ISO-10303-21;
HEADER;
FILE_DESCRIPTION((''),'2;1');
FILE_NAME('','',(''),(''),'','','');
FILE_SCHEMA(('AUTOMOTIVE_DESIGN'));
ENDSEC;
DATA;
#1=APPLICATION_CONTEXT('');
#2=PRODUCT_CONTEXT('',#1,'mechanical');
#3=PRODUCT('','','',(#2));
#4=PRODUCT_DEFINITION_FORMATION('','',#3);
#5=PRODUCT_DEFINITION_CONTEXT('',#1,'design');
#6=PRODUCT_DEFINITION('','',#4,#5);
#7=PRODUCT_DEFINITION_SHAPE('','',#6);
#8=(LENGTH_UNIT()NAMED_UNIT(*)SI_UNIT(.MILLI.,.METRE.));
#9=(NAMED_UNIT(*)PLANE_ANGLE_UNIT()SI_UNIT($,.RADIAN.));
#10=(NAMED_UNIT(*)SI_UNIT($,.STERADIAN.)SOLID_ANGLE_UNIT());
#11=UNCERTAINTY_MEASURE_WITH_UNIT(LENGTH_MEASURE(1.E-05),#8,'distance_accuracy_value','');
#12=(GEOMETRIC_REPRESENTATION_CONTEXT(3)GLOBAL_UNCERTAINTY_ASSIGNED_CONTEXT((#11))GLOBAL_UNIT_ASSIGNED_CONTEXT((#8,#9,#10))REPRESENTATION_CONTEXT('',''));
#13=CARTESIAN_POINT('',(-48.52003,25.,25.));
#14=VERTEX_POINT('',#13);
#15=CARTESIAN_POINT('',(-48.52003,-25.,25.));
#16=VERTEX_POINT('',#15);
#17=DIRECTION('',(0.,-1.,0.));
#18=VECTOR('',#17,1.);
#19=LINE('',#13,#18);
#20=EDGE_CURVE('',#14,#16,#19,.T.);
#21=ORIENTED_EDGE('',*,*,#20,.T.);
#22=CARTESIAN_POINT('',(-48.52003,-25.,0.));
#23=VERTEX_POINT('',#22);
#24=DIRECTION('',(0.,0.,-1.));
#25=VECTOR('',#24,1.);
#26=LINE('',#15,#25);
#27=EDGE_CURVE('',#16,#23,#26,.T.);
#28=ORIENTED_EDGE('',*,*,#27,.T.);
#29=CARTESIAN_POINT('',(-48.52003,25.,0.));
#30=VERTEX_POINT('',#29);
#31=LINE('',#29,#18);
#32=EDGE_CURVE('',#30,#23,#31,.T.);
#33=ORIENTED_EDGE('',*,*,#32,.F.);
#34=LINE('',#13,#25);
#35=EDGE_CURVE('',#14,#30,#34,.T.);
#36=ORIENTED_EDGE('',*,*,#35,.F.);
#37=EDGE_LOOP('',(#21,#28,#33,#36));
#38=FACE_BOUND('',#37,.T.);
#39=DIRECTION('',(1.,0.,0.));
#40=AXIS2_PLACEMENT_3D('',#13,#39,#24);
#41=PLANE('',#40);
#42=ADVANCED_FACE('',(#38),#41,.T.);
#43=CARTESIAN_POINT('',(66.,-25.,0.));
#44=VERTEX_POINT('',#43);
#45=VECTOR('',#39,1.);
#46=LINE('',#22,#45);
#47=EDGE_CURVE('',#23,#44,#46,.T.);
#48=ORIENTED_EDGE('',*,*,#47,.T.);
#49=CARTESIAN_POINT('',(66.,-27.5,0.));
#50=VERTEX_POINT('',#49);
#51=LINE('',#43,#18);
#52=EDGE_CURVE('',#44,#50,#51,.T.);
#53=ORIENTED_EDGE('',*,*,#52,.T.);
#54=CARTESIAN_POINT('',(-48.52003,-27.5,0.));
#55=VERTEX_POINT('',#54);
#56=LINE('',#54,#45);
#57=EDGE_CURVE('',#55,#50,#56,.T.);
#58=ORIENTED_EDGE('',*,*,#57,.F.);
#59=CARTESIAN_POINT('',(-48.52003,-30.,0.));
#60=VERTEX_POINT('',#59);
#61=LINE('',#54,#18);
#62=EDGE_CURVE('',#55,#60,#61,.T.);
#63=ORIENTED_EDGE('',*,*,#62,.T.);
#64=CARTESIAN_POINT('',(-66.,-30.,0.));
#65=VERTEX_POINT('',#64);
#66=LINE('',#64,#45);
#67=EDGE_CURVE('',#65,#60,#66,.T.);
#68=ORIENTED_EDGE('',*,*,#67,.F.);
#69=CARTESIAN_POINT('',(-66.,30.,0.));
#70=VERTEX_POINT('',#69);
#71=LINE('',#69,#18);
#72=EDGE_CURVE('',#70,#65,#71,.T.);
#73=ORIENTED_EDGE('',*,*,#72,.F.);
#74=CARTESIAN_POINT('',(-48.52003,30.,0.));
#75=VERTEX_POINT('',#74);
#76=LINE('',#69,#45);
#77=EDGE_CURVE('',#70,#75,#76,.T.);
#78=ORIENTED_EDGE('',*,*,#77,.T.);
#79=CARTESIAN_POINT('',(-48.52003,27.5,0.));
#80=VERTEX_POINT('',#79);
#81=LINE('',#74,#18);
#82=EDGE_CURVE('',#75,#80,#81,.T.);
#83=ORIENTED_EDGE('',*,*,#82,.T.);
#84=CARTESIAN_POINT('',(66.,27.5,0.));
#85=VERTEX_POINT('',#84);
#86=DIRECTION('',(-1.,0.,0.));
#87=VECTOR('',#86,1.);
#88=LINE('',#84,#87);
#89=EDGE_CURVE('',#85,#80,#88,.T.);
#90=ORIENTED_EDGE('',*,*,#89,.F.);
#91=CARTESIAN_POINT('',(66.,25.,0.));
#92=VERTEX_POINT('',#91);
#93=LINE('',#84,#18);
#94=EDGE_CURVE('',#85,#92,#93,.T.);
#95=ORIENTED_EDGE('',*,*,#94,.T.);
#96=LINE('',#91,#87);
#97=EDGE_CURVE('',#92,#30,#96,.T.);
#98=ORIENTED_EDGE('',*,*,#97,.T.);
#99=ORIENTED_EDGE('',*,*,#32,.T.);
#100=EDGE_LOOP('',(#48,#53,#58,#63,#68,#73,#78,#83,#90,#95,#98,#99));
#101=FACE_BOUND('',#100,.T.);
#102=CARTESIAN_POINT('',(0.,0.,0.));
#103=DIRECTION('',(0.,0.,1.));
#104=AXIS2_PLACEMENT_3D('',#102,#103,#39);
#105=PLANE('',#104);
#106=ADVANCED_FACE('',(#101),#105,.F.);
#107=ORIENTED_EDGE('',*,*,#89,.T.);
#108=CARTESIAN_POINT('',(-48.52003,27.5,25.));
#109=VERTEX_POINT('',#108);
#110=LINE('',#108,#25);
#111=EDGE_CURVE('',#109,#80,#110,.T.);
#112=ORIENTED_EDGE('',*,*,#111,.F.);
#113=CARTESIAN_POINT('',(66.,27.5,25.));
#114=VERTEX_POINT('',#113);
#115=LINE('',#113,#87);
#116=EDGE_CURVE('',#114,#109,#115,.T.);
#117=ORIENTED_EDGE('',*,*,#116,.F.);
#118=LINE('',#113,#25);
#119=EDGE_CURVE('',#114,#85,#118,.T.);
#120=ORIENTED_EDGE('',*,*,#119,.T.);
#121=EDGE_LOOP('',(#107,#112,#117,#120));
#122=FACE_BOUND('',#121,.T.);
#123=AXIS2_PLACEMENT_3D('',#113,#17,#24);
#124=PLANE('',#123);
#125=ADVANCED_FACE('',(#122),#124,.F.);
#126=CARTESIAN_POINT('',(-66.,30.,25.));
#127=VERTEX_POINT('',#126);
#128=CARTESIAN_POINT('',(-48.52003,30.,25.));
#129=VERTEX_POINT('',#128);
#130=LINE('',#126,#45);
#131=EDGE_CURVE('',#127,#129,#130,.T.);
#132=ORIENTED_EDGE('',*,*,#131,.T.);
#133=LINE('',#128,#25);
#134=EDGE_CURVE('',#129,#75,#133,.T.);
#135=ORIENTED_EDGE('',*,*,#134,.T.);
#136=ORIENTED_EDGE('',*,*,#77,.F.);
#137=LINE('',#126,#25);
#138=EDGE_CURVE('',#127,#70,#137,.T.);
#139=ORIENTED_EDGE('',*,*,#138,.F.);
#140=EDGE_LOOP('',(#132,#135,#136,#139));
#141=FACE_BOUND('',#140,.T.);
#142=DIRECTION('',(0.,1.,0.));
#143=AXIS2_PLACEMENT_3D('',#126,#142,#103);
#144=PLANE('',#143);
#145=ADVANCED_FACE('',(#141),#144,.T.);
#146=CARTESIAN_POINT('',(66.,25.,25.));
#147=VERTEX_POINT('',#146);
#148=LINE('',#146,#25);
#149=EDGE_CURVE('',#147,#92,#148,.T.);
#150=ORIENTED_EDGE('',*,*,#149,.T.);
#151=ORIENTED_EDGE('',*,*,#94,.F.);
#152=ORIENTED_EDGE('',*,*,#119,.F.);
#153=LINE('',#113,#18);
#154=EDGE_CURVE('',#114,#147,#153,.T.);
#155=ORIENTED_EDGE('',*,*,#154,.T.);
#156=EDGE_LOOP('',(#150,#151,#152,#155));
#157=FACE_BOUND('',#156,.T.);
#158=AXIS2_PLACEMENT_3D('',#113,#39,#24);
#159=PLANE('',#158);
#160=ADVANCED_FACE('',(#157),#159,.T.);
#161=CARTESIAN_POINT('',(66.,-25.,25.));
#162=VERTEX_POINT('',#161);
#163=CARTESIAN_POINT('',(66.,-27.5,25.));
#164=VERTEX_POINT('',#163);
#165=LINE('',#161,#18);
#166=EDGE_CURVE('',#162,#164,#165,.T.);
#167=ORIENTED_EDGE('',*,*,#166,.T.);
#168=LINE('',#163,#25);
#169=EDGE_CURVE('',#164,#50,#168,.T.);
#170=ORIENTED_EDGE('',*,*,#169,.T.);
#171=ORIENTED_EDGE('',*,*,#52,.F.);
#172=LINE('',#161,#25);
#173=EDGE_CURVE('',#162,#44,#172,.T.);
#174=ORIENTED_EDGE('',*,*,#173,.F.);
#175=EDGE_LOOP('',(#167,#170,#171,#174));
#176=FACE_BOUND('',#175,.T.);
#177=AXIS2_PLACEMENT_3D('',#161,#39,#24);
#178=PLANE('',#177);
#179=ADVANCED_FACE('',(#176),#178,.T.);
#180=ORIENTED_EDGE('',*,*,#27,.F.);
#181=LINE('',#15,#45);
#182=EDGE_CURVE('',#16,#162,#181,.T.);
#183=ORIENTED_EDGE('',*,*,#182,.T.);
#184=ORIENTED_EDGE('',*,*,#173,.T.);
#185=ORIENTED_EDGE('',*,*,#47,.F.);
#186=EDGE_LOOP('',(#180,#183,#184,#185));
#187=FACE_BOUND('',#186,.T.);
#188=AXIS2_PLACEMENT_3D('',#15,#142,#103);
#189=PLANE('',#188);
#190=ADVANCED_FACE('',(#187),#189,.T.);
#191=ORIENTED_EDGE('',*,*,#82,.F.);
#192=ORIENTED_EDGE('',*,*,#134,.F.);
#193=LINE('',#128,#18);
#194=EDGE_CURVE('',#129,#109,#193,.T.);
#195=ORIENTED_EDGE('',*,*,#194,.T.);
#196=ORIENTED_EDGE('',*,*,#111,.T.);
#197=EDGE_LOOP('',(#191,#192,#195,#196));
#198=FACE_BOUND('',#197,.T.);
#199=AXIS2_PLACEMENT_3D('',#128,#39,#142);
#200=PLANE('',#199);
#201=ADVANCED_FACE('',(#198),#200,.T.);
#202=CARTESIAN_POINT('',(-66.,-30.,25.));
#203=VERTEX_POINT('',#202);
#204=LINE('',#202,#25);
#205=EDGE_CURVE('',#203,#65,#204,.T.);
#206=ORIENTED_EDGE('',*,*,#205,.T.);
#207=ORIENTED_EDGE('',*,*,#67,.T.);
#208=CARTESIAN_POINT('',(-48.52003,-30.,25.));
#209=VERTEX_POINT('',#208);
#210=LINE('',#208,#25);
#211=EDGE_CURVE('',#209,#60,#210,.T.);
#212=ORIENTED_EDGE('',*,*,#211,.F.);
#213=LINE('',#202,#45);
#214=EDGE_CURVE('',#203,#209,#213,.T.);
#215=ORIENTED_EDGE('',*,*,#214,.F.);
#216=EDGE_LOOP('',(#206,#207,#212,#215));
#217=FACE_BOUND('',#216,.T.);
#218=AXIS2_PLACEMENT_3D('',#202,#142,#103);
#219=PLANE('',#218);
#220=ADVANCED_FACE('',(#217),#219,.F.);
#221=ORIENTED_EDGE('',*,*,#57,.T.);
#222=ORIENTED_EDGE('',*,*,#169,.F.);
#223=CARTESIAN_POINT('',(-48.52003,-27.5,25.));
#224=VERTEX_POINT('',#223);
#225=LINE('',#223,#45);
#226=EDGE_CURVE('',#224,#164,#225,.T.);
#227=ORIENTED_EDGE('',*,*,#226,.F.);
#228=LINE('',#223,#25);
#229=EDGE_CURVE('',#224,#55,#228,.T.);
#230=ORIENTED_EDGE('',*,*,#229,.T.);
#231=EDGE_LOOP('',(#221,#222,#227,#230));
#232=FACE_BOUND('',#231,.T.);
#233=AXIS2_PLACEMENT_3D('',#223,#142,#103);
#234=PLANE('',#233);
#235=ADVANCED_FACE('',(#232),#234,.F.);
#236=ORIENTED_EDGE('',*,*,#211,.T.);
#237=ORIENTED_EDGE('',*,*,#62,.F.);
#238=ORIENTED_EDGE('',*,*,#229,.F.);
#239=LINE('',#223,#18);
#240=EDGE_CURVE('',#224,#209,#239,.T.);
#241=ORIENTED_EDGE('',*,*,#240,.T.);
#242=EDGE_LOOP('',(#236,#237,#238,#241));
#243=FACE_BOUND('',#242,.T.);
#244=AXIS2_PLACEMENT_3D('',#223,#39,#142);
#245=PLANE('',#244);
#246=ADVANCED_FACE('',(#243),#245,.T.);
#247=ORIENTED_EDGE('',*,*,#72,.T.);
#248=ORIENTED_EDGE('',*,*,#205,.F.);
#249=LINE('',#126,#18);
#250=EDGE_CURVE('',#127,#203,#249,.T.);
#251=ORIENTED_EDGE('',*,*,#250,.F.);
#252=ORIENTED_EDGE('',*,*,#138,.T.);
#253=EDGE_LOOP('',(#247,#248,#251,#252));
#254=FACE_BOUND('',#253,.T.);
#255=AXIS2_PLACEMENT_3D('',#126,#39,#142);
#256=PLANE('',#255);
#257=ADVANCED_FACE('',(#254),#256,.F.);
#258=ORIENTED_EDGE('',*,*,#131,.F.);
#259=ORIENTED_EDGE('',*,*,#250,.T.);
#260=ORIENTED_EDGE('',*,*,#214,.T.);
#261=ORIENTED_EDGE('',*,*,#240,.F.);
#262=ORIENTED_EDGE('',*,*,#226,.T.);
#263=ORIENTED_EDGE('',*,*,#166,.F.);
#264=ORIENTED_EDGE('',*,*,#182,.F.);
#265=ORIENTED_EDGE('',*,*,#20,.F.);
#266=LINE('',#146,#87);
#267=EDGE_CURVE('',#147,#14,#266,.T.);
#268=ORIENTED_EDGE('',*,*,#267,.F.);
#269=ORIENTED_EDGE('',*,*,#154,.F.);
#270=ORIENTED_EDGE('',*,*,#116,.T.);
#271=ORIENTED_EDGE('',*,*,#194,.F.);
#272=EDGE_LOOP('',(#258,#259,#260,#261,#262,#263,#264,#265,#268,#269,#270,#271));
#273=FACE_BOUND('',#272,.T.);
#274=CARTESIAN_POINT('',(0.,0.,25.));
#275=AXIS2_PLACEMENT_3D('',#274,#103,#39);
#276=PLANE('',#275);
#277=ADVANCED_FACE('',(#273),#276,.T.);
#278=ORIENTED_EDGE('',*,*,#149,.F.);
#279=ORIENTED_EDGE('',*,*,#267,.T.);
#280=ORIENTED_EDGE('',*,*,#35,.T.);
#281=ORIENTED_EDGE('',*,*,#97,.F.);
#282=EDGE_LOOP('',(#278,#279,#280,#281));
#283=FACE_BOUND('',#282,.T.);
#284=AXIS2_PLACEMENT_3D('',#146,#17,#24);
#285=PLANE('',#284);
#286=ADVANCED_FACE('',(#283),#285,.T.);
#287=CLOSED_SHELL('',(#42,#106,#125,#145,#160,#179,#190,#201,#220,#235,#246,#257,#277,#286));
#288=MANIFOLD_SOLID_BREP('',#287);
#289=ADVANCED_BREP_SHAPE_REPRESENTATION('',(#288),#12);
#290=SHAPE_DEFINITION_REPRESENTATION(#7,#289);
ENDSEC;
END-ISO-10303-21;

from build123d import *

# Parameters (mm, degrees)
BOSS_EXTRUDE1_DEPTH = 25


with BuildPart() as part:
    # Sketch1 → Boss-Extrude1 (new body)
    with BuildSketch(Plane.XY):
        Polygon((-48.520030234, 25), (-48.520030234, -25), (66, -25), (66, -27.5), (-48.520030234, -27.5), (-48.520030234, -30), (-66, -30), (-66, 30), (-48.520030234, 30), (-48.520030234, 27.5), (66, 27.5), (66, 25), align=None)
    extrude(amount=BOSS_EXTRUDE1_DEPTH)


solid = part.part
